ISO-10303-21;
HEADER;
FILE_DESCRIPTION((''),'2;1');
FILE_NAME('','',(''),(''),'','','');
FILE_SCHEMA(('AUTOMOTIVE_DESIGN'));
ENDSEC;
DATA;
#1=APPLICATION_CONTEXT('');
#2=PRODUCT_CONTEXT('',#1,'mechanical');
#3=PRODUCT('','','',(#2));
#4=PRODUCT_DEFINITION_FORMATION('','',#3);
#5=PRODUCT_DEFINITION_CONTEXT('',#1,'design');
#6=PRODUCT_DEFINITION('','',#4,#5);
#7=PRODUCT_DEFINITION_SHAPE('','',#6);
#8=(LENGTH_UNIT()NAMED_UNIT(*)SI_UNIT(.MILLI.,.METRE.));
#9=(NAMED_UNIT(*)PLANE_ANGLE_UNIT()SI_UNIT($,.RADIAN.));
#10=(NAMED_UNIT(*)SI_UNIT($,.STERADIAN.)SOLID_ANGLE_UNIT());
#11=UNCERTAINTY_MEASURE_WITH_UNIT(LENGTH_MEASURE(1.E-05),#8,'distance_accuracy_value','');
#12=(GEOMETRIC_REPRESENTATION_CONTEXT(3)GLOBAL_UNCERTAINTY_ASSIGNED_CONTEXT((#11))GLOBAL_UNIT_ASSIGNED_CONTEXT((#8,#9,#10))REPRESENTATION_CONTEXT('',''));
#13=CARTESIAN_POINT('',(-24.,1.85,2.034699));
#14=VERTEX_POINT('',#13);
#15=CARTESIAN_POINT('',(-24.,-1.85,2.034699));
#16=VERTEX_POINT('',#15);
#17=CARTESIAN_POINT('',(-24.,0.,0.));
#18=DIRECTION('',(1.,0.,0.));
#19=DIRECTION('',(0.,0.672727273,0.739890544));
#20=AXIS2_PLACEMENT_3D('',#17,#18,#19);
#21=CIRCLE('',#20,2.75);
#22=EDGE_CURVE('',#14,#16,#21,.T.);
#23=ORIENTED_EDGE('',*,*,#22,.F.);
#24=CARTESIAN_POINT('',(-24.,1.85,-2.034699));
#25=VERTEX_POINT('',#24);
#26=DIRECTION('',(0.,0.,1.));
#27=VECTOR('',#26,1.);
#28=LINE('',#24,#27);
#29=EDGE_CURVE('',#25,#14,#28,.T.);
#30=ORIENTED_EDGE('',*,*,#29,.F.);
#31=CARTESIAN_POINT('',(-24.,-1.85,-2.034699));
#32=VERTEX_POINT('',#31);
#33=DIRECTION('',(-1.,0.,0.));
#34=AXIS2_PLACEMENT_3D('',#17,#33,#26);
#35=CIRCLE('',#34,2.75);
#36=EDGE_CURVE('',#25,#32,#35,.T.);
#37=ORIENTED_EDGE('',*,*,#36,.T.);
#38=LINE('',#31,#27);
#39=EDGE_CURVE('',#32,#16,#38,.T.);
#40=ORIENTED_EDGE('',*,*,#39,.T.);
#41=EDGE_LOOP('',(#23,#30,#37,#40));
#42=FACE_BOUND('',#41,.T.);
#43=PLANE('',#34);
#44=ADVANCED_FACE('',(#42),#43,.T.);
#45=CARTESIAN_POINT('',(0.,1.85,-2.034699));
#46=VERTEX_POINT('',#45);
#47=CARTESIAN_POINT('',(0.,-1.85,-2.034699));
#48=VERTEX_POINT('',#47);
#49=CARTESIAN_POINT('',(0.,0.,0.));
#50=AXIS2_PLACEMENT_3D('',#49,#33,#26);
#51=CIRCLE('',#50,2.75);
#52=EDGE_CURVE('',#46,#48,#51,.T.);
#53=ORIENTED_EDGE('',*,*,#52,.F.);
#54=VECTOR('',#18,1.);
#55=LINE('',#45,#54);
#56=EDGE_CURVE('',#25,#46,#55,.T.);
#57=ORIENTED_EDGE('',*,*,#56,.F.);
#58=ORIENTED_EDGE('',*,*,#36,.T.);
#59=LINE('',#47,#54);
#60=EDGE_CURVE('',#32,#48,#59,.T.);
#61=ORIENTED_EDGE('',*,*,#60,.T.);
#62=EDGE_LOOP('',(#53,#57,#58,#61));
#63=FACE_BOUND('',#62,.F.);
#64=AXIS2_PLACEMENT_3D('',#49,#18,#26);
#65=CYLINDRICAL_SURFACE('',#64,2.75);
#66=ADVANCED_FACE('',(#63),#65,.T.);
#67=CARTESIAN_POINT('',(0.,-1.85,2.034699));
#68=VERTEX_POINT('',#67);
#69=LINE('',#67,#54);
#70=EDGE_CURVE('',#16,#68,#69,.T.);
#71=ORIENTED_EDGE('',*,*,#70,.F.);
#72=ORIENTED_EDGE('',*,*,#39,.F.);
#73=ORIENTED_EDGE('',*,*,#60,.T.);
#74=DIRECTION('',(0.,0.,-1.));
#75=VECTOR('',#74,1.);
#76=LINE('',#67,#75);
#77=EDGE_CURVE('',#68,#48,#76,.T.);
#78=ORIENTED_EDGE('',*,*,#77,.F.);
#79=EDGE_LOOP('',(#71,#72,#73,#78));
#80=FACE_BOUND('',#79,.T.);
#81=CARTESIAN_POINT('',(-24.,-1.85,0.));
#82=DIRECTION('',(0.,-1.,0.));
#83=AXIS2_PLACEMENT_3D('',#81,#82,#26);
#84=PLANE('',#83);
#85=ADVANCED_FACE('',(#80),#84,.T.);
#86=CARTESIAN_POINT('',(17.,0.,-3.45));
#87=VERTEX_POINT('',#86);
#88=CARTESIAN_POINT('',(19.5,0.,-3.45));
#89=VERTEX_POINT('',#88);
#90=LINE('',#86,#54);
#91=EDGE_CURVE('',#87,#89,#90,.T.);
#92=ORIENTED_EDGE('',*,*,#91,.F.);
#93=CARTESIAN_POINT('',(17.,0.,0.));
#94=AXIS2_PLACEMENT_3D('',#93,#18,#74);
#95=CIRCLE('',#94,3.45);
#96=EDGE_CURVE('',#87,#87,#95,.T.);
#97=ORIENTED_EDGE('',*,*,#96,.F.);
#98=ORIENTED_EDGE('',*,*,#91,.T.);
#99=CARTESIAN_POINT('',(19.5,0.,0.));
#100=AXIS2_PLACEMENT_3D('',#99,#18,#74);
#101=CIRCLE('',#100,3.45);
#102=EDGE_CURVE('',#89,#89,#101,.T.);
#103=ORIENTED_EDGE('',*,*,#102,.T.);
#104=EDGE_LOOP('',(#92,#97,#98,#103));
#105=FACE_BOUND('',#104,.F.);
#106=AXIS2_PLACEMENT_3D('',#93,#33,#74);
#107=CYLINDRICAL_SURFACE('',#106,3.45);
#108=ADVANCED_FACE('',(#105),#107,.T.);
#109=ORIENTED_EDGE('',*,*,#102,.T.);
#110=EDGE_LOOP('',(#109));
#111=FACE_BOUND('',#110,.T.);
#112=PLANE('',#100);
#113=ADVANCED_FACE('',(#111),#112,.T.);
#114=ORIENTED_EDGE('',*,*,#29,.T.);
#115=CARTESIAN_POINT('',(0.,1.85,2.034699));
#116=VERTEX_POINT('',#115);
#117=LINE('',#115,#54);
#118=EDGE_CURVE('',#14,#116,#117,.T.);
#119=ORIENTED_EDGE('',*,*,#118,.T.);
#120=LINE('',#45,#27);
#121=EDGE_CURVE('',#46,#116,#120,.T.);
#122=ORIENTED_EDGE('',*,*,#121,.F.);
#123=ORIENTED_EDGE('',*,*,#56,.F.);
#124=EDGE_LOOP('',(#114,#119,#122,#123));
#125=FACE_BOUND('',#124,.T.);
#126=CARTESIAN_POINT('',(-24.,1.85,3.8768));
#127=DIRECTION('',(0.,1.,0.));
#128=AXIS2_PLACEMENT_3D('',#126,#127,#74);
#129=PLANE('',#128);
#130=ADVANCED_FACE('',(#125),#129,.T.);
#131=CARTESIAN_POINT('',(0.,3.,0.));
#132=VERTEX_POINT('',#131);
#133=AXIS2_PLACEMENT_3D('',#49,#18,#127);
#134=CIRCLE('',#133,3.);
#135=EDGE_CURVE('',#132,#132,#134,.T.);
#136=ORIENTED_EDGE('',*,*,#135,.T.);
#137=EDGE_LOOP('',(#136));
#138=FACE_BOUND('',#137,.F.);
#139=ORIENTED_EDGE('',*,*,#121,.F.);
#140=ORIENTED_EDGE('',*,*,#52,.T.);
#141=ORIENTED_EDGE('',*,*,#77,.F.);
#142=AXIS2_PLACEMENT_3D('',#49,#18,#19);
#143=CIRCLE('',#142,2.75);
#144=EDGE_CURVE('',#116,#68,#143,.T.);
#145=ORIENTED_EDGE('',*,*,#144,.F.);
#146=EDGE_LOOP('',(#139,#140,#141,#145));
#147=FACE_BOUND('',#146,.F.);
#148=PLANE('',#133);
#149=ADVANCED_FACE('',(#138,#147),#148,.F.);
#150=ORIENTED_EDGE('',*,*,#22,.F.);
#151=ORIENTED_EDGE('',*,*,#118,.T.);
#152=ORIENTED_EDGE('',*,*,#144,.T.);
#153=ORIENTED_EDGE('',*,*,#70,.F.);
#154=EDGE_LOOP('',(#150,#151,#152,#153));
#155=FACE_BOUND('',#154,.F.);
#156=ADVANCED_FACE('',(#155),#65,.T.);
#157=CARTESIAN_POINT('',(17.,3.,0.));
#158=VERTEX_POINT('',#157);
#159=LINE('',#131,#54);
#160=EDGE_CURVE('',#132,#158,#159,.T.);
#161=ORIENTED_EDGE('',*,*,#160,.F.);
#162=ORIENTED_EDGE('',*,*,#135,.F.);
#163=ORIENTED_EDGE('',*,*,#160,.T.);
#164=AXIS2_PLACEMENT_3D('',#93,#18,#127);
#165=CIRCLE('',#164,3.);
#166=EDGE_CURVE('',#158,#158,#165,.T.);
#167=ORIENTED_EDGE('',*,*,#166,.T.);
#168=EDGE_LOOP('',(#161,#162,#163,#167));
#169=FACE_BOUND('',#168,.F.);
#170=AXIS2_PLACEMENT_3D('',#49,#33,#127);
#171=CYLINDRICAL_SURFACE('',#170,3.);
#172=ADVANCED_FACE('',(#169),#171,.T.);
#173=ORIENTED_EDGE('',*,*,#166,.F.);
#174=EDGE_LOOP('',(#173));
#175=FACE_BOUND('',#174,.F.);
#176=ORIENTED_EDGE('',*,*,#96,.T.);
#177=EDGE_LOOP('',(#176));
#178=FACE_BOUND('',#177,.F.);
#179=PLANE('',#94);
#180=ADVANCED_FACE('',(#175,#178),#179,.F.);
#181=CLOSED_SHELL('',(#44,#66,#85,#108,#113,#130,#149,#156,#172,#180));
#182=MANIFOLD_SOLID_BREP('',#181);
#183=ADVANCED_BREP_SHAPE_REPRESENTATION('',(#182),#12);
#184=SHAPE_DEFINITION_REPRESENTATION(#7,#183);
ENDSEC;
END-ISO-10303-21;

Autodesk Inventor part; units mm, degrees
ref_plane "YZ Plane" through (0, 0, 0) normal (1, 0, 0) x (0, 1, 0)
ref_plane "XZ Plane" through (0, 0, 0) normal (0, 1, 0) x (-1, 0, 0)
ref_plane "XY Plane" through (0, 0, 0) normal (0, 0, 1) x (1, 0, 0)
sketch "Sketch1" plane through (0, 0, 0) normal (1, 0, 0) x (0, 1, 0)
  circle A0 centre (0, 0) radius 3
  dimension "d0" = 6
extrude "Extrusion1" add sketch "Sketch1" along normal blind 17
sketch "Sketch2" plane through (17, 0, 0) normal (1, 0, 0) x (0, 0, -1)
  circle A0 centre (0, 0) radius 3.45
  dimension "d3" = 6.9
extrude "Extrusion2" add sketch "Sketch2" along normal blind 2.5
sketch "Sketch3" plane through (0, 0, 0) normal (-1, 0, 0) x (0, 0, 1)
  circle A0 centre (0, 0) radius 2.75
  dimension "d6" = 5.5
extrude "Extrusion3" add sketch "Sketch3" along normal blind 24
sketch "Sketch4" plane through (-24, 0, 0) normal (-1, 0, 0) x (0, 0, 1)
  line L0 (0, 0) -> (0, -1.85)
  line L1 (0, 0) -> (0, 1.85)
  line L2 (0, -1.85) -> (-3.7501, -1.85)
  line L3 (-3.7501, -1.85) -> (3.8768, -1.85)
  line L4 (3.8768, -1.85) -> (3.8768, 1.85)
  line L5 (3.8768, 1.85) -> (-3.7501, 1.85)
  line L6 (-3.7501, 1.85) -> (-3.7501, -1.85)
  line L7 (-7.0983, -8.0342) -> (8.0665, -8.0342)
  line L8 (8.0665, -8.0342) -> (8.0665, 8.0154)
  line L9 (8.0665, 8.0154) -> (-7.0983, 8.0154)
  line L10 (-7.0983, 8.0154) -> (-7.0983, -8.0342)
  dimension "d9" = 1.85
  dimension "d10" = 1.85
extrude "Extrusion4" cut sketch "Sketch4" against normal blind 24
properties part number "draaiarm voorwielen_3DPrint"
